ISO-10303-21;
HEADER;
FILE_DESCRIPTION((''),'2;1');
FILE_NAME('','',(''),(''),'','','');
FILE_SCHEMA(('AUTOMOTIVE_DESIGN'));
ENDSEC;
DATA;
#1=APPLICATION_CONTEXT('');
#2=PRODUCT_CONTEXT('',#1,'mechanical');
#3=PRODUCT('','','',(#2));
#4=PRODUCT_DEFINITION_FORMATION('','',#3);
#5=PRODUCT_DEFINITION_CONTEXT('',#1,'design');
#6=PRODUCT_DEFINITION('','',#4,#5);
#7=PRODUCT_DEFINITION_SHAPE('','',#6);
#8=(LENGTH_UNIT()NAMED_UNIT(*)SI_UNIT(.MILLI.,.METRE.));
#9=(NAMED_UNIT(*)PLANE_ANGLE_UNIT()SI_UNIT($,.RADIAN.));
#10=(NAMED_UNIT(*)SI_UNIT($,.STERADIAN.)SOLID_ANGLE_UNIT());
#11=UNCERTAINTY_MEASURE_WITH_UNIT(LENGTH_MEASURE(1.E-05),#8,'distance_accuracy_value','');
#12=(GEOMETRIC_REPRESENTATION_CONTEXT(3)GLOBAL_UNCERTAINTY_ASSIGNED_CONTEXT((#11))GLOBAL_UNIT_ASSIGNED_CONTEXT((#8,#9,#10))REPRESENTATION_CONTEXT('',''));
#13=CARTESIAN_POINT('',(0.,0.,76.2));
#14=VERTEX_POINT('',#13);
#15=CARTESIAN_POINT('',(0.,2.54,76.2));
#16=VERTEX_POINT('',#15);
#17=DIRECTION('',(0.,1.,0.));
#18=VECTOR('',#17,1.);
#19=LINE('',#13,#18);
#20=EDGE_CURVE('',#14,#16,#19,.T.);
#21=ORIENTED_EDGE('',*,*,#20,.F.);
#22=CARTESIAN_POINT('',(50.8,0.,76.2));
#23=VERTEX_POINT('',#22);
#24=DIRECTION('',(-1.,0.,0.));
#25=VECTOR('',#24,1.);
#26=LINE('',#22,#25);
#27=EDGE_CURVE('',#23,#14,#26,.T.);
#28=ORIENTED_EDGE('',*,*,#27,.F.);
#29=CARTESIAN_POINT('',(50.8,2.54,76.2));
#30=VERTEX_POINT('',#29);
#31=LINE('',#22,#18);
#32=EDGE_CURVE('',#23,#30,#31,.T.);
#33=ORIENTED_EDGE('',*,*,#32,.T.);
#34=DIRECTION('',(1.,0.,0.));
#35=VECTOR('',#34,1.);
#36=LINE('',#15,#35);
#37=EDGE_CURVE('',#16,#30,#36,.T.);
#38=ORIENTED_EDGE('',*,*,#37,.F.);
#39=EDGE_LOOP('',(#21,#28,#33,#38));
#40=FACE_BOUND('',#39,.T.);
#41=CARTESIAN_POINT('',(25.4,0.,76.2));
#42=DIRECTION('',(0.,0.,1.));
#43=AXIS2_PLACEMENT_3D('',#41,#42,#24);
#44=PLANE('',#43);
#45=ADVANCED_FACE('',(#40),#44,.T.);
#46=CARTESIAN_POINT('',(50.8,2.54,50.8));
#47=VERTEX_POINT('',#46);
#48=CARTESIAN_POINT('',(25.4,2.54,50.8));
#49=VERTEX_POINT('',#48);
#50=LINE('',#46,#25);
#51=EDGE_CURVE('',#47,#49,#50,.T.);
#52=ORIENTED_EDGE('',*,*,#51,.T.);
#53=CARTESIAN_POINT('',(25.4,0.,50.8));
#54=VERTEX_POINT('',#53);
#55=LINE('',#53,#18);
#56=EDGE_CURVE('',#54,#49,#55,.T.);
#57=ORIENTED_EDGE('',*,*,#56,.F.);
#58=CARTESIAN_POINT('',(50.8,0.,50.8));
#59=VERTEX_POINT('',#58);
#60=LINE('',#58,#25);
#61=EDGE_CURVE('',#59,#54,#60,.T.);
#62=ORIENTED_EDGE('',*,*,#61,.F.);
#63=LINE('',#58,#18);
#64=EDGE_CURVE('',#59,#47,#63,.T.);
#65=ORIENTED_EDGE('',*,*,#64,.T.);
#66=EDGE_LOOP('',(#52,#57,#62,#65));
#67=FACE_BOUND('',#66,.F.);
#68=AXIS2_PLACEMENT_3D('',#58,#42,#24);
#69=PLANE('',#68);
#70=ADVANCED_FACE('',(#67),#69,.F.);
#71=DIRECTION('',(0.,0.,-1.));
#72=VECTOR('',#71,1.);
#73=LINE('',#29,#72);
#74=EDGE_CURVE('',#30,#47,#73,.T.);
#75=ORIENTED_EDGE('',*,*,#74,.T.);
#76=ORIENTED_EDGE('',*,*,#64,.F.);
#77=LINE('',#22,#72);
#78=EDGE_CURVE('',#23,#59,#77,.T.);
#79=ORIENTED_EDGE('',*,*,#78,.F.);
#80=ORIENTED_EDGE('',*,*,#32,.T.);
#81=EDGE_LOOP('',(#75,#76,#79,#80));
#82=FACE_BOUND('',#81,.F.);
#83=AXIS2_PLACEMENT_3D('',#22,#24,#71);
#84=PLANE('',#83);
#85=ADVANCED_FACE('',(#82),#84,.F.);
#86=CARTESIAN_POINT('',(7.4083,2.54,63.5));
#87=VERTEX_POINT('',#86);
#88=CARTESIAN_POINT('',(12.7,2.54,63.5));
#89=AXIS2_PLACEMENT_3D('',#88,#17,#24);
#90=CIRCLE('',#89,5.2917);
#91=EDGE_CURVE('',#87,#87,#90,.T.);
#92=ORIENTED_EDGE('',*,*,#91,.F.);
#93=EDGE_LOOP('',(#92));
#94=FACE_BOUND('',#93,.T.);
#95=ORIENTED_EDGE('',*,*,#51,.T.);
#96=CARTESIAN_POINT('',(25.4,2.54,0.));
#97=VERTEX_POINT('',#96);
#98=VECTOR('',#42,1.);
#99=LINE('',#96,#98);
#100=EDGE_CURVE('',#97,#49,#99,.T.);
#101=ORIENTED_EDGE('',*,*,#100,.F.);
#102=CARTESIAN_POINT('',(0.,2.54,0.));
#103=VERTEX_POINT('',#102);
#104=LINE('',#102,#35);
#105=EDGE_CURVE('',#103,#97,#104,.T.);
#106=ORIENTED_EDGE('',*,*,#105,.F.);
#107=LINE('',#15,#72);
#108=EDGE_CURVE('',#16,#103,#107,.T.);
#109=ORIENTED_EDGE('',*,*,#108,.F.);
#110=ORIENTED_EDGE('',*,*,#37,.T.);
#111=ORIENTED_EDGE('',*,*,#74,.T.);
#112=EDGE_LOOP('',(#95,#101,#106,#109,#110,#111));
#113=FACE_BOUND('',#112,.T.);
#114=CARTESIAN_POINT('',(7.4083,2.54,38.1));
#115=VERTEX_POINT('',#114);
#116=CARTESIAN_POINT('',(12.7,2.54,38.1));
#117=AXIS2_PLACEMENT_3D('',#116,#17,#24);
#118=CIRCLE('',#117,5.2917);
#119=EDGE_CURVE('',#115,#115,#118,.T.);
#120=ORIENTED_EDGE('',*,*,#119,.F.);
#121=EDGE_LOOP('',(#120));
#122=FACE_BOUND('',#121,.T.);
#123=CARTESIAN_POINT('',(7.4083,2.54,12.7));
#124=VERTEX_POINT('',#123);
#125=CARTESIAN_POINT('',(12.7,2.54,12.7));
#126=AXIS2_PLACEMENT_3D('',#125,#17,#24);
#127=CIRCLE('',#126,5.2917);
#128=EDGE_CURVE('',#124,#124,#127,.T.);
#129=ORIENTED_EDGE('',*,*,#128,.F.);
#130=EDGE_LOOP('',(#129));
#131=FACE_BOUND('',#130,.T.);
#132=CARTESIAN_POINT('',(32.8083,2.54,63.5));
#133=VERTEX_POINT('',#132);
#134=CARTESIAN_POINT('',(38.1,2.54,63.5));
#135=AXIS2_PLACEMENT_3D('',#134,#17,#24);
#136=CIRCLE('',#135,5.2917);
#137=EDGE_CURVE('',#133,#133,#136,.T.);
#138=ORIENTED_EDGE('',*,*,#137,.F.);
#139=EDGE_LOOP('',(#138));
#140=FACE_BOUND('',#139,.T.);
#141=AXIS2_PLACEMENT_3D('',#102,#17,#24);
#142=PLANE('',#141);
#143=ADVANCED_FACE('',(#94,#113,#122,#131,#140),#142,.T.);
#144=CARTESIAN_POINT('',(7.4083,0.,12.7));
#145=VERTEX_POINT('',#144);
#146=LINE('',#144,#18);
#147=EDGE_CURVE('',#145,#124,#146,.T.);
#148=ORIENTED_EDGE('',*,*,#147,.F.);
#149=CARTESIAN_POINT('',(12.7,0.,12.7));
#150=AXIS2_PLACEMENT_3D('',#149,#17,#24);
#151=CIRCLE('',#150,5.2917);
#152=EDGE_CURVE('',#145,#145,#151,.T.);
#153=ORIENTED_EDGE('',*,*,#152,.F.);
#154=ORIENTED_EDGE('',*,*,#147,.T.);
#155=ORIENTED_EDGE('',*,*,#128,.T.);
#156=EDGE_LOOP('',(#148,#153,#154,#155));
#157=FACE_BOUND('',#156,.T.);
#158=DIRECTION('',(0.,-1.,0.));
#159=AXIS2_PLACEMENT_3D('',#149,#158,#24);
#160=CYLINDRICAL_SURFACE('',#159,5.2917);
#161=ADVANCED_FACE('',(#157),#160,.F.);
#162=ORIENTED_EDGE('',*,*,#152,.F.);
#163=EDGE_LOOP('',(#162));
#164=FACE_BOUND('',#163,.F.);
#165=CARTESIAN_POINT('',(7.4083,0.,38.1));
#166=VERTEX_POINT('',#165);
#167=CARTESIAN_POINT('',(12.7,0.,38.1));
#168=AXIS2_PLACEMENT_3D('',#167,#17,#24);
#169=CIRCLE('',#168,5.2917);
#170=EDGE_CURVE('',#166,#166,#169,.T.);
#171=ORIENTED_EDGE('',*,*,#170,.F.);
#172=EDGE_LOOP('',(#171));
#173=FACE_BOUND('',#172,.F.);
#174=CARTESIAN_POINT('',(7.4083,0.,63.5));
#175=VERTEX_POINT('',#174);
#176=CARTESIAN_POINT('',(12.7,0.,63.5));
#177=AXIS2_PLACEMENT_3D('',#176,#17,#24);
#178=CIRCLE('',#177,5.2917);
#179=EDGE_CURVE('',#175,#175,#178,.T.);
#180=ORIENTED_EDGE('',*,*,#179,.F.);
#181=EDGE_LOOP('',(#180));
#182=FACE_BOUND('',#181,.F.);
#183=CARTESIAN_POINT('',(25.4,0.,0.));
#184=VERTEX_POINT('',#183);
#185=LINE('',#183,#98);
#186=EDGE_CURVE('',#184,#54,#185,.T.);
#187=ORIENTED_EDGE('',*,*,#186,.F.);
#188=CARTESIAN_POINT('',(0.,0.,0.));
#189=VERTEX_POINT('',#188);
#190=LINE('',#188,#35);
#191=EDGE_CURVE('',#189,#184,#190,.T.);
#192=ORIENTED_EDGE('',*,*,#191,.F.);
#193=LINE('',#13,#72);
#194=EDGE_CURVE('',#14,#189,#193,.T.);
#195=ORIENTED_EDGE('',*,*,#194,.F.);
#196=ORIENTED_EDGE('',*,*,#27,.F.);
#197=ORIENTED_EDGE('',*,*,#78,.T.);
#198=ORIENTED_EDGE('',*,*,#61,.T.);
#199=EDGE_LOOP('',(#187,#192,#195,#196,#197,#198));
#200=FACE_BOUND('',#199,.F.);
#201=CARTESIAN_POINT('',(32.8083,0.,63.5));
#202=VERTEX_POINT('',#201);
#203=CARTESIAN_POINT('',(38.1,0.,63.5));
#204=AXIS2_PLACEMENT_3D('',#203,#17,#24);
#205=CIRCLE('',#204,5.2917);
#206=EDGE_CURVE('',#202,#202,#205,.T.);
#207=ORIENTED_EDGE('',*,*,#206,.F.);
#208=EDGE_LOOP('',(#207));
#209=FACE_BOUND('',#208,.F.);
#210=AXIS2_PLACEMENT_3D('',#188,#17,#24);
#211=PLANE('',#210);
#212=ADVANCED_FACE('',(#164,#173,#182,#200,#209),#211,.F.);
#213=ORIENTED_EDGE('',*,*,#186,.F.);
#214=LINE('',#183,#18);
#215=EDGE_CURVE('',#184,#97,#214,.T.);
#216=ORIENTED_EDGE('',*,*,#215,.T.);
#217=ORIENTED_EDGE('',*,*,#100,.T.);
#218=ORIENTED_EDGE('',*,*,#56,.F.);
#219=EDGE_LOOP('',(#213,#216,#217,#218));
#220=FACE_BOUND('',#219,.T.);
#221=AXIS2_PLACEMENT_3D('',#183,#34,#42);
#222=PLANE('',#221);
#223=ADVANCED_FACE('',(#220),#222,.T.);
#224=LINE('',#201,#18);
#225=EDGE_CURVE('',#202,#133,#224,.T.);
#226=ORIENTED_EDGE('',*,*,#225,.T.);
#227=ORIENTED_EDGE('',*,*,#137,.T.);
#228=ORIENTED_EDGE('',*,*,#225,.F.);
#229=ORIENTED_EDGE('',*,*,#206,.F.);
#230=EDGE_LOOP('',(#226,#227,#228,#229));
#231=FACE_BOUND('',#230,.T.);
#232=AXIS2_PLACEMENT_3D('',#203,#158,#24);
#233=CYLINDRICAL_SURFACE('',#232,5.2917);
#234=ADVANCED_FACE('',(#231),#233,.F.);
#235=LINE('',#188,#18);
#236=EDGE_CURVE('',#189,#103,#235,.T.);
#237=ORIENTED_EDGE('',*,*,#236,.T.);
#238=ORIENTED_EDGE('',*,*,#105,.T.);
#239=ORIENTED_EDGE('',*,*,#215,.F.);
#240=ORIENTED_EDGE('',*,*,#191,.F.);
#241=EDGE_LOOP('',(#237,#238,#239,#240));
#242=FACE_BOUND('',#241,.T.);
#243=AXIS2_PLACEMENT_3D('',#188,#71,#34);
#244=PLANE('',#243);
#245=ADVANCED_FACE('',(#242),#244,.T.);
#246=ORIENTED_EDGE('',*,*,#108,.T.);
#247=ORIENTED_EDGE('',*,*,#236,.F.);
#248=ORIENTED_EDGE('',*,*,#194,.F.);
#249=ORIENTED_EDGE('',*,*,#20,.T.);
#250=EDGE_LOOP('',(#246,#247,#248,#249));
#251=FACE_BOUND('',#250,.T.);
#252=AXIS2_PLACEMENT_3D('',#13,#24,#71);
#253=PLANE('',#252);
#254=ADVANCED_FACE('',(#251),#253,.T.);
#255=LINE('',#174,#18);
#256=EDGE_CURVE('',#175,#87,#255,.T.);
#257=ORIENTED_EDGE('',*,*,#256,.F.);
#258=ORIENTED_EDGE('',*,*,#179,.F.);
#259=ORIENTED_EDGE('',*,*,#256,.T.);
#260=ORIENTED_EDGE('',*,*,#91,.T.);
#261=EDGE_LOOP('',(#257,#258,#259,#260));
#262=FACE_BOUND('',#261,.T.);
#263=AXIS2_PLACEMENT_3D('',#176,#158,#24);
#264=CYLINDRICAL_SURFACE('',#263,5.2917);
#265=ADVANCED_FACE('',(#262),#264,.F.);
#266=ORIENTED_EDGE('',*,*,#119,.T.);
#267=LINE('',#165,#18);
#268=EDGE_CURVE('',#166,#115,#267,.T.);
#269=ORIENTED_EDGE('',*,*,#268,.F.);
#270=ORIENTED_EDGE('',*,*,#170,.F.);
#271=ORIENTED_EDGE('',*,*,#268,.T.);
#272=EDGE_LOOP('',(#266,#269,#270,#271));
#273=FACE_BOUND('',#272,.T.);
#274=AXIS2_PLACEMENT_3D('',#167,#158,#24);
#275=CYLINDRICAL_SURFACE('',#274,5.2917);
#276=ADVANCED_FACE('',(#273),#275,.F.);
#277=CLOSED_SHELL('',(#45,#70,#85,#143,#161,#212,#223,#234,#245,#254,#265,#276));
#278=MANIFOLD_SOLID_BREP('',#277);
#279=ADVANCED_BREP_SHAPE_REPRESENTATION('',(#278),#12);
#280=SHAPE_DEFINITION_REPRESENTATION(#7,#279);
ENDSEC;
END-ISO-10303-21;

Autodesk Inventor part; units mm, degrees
ref_plane "YZ Plane" through (0, 0, 0) normal (1, 0, 0) x (0, 1, 0)
ref_plane "XZ Plane" through (0, 0, 0) normal (0, 1, 0) x (-1, 0, 0)
ref_plane "XY Plane" through (0, 0, 0) normal (0, 0, 1) x (1, 0, 0)
sketch "Sketch1" plane through (0, 0, 0) normal (0, 1, 0) x (-1, 0, 0)
  line L0 (0, 0) -> (-25.4, 0)
  line L1 (-25.4, 0) -> (-25.4, 76.2)
  line L2 (-25.4, 76.2) -> (0, 76.2)
  line L3 (0, 76.2) -> (0, 0)
  line L4 (-25.4, 76.2) -> (-50.8, 76.2)
  line L5 (-50.8, 76.2) -> (-50.8, 50.8)
  line L6 (-50.8, 50.8) -> (-25.4, 50.8)
  line L7 (-25.4, 50.8) -> (-25.4, 76.2)
  circle A0 centre (-12.7, 12.7) radius 5.2917
  circle A1 centre (-38.1, 63.5) radius 5.2917
  circle A2 centre (-12.7, 38.1) radius 5.2917
  circle A3 centre (-12.7, 63.5) radius 5.2917
  dimension "d0" = 76.2
  dimension "d1" = 25.4
  dimension "d2" = 25.4
  dimension "d3" = 25.4
  dimension "d5" = 38.1
  dimension "d7" = 25.4
  dimension "d8" = 25.4
  dimension "d11" = 12.7
  dimension "d12" = 12.7
  dimension "d13" = 12.7
  dimension "d14" = 10.5833
  dimension "d15" = 10.5833
  dimension "d16" = 10.5833
  dimension "d17" = 10.5833
  dimension "d18" = 12.7
  dimension "d19" = 25.4
  dimension "d20" = 12.7
extrude "Extrusion1" add sketch "Sketch1" along normal blind 2.54
equation "\"d15\" = d14"
equation "\"d16\" = d14"
equation "\"d17\" = d14"
properties part number "bracing 2x3"
